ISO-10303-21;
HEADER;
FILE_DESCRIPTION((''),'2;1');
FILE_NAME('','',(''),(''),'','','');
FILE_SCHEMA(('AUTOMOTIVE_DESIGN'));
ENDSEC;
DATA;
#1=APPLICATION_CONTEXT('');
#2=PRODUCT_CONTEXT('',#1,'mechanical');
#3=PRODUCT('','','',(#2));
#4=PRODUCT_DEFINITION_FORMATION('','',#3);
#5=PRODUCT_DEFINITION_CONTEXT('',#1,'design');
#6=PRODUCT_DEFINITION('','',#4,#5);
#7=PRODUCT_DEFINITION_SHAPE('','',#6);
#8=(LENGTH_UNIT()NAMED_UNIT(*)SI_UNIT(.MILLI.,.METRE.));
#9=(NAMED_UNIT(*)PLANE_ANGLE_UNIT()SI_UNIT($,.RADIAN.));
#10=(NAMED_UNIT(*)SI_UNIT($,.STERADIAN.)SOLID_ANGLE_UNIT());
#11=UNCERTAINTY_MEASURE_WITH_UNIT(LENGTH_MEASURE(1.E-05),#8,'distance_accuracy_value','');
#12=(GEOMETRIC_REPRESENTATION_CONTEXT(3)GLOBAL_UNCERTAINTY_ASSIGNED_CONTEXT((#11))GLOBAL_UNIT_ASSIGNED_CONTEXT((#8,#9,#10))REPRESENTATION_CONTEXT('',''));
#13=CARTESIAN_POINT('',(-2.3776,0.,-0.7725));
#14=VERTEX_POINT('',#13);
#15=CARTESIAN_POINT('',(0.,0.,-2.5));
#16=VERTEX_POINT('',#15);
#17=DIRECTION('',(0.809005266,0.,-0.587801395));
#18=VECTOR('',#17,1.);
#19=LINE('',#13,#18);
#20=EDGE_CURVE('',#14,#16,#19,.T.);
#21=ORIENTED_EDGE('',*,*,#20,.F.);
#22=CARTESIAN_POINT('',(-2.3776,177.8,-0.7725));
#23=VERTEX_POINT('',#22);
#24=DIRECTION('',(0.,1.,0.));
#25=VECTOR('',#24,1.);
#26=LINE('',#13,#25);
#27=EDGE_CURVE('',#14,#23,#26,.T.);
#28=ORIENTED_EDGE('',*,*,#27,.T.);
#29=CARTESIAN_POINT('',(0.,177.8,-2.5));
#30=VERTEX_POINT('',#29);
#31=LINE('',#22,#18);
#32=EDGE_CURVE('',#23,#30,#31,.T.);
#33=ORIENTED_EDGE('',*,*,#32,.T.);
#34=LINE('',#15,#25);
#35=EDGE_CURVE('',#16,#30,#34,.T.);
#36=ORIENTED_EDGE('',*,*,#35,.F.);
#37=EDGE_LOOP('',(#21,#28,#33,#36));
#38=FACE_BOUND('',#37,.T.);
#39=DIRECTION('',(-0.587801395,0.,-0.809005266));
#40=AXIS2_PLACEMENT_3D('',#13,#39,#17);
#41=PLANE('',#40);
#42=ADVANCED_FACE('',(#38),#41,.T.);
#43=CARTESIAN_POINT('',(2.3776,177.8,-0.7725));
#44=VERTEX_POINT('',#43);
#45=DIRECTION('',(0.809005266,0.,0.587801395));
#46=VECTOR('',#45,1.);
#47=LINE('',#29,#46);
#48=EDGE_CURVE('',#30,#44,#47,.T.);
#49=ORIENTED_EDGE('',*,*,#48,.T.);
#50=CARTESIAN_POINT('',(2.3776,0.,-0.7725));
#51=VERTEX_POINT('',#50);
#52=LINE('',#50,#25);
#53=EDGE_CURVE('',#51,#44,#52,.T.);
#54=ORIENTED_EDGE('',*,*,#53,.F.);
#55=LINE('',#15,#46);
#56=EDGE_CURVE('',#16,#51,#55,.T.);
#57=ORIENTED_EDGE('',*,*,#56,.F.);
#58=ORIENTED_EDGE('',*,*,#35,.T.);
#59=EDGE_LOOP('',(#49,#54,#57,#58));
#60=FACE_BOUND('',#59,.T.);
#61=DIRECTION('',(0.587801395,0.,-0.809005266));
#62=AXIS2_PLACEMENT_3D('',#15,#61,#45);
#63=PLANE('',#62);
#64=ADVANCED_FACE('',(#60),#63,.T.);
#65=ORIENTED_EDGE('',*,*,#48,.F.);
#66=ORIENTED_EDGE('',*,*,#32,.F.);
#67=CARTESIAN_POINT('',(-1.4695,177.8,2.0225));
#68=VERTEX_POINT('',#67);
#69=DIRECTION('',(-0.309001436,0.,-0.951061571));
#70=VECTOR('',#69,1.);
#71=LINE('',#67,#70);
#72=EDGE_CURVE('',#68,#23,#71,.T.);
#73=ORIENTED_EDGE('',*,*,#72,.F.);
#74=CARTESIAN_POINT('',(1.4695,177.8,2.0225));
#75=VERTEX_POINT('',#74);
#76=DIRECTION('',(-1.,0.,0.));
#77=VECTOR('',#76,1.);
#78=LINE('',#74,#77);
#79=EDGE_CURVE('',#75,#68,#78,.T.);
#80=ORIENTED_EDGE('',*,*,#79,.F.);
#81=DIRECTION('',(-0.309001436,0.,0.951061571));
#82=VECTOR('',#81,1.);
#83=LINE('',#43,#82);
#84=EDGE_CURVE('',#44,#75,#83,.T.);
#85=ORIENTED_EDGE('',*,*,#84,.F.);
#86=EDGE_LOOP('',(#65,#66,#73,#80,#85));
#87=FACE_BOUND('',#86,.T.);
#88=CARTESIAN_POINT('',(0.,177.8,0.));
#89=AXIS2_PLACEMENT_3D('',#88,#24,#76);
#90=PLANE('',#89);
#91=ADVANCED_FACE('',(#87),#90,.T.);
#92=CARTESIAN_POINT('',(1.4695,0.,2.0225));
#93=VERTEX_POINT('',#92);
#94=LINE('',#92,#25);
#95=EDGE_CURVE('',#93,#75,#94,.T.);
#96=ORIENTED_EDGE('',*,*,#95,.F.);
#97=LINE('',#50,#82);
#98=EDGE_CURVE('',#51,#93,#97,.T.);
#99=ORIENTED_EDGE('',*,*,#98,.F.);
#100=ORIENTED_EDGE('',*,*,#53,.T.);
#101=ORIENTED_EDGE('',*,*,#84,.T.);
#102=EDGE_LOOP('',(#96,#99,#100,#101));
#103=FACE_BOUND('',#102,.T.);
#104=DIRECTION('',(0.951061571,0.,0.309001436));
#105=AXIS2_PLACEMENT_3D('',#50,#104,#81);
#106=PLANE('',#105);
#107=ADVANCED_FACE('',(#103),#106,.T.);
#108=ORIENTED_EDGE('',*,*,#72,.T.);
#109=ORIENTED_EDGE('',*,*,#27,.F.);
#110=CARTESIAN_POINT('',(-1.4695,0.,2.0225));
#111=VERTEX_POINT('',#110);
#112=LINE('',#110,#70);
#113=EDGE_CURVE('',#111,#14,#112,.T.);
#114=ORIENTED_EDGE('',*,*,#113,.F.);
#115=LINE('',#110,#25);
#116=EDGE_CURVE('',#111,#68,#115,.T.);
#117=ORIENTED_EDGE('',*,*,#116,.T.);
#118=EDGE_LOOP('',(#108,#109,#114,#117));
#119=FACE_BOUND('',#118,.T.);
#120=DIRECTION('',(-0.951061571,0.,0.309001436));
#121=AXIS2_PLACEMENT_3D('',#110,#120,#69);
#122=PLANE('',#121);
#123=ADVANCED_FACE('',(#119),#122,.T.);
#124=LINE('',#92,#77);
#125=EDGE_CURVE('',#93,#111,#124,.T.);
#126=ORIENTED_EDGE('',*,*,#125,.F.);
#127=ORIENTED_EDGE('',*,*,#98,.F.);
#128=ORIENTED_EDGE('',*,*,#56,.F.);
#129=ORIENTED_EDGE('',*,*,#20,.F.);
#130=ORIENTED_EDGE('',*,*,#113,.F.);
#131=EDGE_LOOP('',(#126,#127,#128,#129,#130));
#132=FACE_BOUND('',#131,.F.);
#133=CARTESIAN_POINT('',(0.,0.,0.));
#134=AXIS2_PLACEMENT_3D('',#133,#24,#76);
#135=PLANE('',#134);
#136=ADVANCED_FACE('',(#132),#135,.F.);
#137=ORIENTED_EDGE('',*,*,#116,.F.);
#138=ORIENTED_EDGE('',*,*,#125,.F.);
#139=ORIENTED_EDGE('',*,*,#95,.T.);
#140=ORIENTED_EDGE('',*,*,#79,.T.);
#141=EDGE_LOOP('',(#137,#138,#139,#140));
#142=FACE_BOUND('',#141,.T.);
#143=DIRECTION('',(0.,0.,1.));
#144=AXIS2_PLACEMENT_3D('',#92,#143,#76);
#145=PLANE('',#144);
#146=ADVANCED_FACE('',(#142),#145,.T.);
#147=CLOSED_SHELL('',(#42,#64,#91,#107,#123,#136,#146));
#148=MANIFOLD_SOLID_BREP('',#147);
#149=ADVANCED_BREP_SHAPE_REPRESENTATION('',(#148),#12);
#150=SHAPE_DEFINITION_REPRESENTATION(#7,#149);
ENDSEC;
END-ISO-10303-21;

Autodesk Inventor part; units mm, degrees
ref_plane "YZ Plane" through (0, 0, 0) normal (1, 0, 0) x (0, 1, 0)
ref_plane "XZ Plane" through (0, 0, 0) normal (0, 1, 0) x (-1, 0, 0)
ref_plane "XY Plane" through (0, 0, 0) normal (0, 0, 1) x (1, 0, 0)
sketch "Sketch1" plane through (0, 0, 0) normal (0, 1, 0) x (-1, 0, 0)
  line L0 (0, -2.5) -> (-2.3776, -0.7725)
  line L1 (-2.3776, -0.7725) -> (-1.4695, 2.0225)
  line L2 (-1.4695, 2.0225) -> (1.4695, 2.0225)
  line L3 (1.4695, 2.0225) -> (2.3776, -0.7725)
  line L4 (2.3776, -0.7725) -> (0, -2.5)
  point P0 (0, 0)
  point P1 (0, 0)
  point P2 (0, 0)
extrude "Extrusion1" add sketch "Sketch1" along normal blind 177.8
properties part number "Star Axle"
